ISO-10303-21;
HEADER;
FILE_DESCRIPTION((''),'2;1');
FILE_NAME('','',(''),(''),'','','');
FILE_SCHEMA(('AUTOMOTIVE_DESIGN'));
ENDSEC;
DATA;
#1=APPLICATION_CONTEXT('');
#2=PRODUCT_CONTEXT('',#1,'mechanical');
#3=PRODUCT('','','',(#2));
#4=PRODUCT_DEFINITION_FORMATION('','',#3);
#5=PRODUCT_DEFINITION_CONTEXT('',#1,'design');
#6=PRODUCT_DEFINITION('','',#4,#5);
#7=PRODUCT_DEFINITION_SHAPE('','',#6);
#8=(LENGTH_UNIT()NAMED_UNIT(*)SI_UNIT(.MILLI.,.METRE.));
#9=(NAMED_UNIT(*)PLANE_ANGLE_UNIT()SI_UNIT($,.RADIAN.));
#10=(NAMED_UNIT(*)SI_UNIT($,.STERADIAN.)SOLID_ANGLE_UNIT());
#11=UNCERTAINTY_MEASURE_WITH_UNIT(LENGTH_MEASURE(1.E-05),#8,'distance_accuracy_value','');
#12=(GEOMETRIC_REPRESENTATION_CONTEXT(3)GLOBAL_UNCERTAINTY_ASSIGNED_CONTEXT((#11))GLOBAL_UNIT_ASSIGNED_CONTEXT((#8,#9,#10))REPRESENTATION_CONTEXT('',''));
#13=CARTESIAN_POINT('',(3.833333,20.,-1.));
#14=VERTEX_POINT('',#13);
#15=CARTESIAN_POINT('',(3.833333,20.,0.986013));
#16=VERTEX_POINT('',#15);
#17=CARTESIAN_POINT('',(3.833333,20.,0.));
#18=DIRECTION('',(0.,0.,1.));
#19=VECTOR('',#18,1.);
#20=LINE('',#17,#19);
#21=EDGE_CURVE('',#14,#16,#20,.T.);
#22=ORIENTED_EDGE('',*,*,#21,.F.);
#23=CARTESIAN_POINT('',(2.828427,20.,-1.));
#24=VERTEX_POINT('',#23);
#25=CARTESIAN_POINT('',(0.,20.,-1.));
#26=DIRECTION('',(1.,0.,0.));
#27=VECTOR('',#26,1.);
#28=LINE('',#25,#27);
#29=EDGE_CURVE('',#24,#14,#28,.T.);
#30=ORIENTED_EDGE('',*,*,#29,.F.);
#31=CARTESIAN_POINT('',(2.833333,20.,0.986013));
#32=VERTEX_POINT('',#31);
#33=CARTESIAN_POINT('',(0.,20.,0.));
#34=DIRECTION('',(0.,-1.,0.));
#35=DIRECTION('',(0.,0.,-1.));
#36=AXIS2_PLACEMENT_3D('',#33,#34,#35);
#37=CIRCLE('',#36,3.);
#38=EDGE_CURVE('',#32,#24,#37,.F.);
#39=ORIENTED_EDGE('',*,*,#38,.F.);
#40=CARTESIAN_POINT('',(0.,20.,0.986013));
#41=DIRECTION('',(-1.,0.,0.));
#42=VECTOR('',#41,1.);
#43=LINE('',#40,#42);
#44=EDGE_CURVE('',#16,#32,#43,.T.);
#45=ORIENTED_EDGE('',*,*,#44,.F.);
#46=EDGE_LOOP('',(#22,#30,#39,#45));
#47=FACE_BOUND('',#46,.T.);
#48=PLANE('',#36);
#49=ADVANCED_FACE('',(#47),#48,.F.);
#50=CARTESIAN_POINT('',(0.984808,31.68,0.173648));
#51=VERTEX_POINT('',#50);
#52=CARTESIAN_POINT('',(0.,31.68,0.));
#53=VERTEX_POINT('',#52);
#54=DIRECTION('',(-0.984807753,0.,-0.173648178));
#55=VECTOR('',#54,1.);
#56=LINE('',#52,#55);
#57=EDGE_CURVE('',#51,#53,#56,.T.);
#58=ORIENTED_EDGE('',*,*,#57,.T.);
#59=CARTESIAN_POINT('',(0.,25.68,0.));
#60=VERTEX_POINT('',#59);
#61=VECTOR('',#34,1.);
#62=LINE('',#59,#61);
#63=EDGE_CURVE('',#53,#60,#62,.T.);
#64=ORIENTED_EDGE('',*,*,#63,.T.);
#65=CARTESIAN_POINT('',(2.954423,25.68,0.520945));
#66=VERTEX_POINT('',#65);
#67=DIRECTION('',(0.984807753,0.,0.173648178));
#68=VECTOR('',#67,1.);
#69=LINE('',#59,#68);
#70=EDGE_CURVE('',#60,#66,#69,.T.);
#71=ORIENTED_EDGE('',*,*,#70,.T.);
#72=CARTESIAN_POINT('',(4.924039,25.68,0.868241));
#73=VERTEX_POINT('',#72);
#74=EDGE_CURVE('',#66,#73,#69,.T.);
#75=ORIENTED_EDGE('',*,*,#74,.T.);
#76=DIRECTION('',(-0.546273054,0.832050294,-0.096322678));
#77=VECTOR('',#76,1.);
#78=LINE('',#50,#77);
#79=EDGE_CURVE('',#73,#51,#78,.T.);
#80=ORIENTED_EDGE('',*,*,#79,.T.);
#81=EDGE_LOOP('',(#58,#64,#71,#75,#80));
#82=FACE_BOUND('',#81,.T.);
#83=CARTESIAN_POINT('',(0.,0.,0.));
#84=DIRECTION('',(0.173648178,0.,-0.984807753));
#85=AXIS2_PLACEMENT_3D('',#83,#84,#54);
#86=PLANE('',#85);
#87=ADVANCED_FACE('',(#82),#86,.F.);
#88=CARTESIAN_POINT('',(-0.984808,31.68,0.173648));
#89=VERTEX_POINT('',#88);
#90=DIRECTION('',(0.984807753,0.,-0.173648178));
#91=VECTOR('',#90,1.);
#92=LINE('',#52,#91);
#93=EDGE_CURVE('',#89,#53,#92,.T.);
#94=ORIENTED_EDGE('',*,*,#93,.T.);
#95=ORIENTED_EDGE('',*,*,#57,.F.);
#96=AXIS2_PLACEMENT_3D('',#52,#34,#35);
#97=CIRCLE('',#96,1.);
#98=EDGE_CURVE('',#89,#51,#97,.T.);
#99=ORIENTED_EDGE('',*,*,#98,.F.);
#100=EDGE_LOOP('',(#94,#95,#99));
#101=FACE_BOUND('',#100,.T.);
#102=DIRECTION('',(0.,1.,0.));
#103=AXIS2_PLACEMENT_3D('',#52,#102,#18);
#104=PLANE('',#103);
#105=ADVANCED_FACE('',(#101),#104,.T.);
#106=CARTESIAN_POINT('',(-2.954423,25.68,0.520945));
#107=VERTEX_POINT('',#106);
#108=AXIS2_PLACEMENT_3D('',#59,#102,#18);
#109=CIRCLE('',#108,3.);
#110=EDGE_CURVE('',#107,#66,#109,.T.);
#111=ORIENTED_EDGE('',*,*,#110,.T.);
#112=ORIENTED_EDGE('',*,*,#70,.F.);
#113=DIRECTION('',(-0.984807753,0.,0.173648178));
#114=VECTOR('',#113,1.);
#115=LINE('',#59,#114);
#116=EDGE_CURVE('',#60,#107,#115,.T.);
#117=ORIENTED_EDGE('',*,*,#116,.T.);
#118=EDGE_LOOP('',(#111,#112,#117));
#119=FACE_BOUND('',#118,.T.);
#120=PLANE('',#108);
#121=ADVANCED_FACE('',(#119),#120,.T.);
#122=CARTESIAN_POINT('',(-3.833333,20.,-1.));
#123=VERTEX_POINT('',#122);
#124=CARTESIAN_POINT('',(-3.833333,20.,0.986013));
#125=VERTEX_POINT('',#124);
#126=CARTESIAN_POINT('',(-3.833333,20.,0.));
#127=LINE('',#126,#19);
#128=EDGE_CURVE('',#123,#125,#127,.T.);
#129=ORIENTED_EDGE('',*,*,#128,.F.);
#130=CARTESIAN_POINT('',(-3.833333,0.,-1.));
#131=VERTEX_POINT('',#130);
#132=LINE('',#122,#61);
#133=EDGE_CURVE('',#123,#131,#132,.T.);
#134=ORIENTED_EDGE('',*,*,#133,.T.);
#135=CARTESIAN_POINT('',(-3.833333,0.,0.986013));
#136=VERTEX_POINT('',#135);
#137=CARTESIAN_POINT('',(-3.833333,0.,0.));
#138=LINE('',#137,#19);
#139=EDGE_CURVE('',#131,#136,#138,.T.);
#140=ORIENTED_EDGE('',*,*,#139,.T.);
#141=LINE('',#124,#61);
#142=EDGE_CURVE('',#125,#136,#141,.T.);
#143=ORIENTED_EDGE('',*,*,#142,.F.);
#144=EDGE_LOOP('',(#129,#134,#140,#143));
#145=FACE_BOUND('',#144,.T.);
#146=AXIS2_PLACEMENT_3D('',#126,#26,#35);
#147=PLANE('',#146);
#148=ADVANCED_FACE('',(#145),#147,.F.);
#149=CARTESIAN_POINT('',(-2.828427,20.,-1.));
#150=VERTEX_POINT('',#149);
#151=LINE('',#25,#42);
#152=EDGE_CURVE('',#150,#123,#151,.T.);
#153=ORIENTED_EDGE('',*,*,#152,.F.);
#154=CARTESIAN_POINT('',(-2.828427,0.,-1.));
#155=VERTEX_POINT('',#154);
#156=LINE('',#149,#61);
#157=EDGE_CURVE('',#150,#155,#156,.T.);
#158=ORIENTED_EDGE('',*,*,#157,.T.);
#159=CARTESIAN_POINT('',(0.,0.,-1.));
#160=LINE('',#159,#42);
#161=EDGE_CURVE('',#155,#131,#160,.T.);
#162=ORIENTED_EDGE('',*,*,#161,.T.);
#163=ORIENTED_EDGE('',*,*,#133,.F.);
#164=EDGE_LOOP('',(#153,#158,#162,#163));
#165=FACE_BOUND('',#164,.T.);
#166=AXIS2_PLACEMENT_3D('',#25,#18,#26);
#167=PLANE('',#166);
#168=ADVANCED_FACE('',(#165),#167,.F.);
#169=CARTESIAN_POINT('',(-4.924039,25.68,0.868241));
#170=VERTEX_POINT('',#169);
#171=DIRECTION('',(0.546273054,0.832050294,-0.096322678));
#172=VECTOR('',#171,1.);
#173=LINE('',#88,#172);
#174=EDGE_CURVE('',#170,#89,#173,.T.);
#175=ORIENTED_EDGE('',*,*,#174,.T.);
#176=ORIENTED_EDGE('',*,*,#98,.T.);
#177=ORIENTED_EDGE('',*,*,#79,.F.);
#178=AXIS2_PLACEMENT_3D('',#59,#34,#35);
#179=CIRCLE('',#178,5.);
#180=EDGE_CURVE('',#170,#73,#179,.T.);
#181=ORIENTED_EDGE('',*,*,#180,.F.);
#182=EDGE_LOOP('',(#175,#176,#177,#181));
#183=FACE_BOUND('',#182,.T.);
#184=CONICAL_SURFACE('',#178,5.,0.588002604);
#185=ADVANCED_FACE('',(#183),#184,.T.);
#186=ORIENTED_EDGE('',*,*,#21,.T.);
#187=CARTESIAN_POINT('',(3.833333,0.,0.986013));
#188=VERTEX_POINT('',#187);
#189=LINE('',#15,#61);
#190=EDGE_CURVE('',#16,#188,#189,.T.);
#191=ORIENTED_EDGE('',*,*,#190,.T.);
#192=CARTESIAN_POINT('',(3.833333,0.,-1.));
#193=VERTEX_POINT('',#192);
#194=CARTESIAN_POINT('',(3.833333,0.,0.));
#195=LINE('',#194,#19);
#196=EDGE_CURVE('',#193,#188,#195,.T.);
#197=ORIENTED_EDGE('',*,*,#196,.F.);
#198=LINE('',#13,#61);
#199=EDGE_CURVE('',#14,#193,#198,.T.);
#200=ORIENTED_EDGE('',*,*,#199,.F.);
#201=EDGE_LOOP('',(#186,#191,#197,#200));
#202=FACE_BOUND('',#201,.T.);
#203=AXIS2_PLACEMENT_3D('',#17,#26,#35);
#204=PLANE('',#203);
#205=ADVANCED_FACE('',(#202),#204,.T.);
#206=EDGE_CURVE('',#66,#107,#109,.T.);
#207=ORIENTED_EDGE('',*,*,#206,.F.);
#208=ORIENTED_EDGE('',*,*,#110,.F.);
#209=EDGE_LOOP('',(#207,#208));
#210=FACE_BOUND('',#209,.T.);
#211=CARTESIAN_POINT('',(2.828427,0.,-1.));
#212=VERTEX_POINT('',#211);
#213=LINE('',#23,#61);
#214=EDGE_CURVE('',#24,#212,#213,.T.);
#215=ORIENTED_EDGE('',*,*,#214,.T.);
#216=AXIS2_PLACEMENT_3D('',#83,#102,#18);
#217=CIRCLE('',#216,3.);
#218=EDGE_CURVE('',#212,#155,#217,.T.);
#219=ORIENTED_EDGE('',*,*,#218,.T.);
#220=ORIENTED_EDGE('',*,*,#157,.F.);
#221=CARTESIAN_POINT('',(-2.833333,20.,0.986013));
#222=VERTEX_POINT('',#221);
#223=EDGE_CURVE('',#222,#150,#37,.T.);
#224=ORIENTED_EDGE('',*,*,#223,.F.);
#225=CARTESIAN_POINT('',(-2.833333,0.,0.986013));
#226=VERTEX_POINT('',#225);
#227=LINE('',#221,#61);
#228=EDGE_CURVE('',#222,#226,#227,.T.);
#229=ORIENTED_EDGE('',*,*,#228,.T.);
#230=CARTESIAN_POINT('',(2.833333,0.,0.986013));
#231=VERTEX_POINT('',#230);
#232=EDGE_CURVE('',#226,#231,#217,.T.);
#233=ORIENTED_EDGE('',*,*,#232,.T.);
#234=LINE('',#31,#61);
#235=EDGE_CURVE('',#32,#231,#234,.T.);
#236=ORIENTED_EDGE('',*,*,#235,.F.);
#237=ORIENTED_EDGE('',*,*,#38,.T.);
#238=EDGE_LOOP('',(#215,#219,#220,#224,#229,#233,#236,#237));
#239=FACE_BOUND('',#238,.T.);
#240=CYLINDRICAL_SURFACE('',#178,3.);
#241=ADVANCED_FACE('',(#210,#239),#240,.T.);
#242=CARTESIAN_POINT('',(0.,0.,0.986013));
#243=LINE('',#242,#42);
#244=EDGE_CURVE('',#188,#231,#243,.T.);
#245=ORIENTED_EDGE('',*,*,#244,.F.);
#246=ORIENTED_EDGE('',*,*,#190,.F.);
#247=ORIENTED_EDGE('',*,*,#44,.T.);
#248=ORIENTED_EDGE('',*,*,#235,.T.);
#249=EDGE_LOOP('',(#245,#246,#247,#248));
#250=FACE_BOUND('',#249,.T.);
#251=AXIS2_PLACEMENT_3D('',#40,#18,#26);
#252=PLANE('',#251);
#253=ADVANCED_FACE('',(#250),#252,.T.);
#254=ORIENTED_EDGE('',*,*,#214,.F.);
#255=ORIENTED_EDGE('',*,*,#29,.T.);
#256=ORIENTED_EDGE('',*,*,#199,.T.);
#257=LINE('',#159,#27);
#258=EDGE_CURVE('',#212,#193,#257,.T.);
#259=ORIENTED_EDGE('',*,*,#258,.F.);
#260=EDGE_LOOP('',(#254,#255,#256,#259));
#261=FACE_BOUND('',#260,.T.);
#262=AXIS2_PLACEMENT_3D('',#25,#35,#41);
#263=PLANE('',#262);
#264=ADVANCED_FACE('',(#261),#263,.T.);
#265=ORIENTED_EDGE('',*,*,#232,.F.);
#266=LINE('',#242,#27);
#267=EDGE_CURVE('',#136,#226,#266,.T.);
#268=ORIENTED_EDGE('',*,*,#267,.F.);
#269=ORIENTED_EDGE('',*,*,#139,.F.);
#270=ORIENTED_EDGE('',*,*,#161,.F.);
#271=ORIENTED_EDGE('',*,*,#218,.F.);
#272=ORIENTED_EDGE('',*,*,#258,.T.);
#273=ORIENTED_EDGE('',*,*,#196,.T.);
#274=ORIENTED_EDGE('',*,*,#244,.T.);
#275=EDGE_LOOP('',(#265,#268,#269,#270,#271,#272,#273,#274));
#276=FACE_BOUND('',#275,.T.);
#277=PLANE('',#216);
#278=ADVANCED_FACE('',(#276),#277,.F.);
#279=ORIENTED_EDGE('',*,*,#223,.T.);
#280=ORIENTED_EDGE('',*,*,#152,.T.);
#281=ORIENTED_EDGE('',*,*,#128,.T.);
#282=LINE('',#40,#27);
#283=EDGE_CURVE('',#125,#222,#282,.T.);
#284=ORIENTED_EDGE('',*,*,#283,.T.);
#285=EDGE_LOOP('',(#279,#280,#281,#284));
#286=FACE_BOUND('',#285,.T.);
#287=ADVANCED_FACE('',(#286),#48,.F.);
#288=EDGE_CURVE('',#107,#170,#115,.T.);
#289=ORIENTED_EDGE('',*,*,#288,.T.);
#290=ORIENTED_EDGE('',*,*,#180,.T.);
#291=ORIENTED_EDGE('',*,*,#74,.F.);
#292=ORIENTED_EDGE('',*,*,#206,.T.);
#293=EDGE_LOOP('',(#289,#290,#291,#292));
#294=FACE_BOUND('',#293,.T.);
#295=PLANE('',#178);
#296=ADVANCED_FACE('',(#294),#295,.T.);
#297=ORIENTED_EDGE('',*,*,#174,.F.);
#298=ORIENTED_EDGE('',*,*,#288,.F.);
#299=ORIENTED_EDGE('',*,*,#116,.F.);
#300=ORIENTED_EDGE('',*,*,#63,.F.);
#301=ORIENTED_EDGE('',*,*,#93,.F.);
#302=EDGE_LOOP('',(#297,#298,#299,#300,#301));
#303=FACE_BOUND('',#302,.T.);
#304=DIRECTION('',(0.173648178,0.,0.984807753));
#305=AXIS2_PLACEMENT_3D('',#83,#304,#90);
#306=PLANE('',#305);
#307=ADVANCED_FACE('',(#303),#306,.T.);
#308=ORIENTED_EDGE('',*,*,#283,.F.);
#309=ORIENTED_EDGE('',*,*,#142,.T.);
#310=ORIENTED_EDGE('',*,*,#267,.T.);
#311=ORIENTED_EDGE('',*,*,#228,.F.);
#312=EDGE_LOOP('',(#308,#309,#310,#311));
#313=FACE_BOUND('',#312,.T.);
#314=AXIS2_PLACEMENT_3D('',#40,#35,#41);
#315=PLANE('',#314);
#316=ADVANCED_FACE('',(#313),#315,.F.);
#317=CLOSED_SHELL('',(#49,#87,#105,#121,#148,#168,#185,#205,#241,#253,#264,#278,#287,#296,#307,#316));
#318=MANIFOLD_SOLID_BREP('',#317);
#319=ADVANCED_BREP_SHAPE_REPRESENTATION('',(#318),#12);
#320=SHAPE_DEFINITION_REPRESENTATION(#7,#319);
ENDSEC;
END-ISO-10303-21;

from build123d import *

# Parameters (mm, degrees)
SKETCH1_R                = 3
BOSS_EXTRUDE1_DEPTH      = 25.68
REVOLVE1_ANGLE           = 100
REVOLVE1_OTHER_WAY_ANGLE = 100
BOSS_EXTRUDE2_DEPTH      = 20


with BuildPart() as part:
    # Sketch1 → Boss-Extrude1 (new body)
    with BuildSketch(Plane(origin=(0, 0, 0), x_dir=(1, 0, 0), z_dir=(0, 1, 0))):
        with Locations(Location((0, 0, 0), (0, 0, 90))):
            Circle(SKETCH1_R)
    extrude(amount=BOSS_EXTRUDE1_DEPTH)

    # Sketch3 → Revolve1 (revolve)
    with BuildSketch(Plane(origin=(0, 0, 0), x_dir=(0, 0, -1), z_dir=(1, 0, 0))):
        Polygon((1, 31.68), (5, 25.68), (0, 25.68), (0, 31.68), align=None)
    revolve(axis=Axis((0, 25.68, 0), (0, 1, 0)), revolution_arc=REVOLVE1_ANGLE)

    # Sketch3 → Revolve1 other way (revolve)
    with BuildSketch(Plane(origin=(0, 0, 0), x_dir=(0, 0, -1), z_dir=(1, 0, 0))):
        Polygon((1, 31.68), (5, 25.68), (0, 25.68), (0, 31.68), align=None)
    revolve(axis=Axis((0, 25.68, 0), (0, -1, 0)), revolution_arc=REVOLVE1_OTHER_WAY_ANGLE)

    # Sketch4 → Boss-Extrude2 (add)
    with BuildSketch(Plane(origin=(0, 0, 0), x_dir=(-1, 0, 0), z_dir=(0, -1, 0))):
        with BuildLine():
            ThreePointArc((2.833333333, -0.986013297), (2.999990846, 0.007411119), (2.828427125, 1))
            Line((2.828427125, 1), (3.833333333, 1))
            Line((3.833333333, 1), (3.833333333, -0.986013297))
            Line((3.833333333, -0.986013297), (2.833333333, -0.986013297))
        make_face()
        with BuildLine():
            Line((-3.833333333, -0.986013297), (-2.833333333, -0.986013297))
            ThreePointArc((-2.833333333, -0.986013297), (-2.999990846, 0.007411119), (-2.828427125, 1))
            Line((-2.828427125, 1), (-3.833333333, 1))
            Line((-3.833333333, 1), (-3.833333333, -0.986013297))
        make_face()
    extrude(amount=-BOSS_EXTRUDE2_DEPTH)


solid = part.part
